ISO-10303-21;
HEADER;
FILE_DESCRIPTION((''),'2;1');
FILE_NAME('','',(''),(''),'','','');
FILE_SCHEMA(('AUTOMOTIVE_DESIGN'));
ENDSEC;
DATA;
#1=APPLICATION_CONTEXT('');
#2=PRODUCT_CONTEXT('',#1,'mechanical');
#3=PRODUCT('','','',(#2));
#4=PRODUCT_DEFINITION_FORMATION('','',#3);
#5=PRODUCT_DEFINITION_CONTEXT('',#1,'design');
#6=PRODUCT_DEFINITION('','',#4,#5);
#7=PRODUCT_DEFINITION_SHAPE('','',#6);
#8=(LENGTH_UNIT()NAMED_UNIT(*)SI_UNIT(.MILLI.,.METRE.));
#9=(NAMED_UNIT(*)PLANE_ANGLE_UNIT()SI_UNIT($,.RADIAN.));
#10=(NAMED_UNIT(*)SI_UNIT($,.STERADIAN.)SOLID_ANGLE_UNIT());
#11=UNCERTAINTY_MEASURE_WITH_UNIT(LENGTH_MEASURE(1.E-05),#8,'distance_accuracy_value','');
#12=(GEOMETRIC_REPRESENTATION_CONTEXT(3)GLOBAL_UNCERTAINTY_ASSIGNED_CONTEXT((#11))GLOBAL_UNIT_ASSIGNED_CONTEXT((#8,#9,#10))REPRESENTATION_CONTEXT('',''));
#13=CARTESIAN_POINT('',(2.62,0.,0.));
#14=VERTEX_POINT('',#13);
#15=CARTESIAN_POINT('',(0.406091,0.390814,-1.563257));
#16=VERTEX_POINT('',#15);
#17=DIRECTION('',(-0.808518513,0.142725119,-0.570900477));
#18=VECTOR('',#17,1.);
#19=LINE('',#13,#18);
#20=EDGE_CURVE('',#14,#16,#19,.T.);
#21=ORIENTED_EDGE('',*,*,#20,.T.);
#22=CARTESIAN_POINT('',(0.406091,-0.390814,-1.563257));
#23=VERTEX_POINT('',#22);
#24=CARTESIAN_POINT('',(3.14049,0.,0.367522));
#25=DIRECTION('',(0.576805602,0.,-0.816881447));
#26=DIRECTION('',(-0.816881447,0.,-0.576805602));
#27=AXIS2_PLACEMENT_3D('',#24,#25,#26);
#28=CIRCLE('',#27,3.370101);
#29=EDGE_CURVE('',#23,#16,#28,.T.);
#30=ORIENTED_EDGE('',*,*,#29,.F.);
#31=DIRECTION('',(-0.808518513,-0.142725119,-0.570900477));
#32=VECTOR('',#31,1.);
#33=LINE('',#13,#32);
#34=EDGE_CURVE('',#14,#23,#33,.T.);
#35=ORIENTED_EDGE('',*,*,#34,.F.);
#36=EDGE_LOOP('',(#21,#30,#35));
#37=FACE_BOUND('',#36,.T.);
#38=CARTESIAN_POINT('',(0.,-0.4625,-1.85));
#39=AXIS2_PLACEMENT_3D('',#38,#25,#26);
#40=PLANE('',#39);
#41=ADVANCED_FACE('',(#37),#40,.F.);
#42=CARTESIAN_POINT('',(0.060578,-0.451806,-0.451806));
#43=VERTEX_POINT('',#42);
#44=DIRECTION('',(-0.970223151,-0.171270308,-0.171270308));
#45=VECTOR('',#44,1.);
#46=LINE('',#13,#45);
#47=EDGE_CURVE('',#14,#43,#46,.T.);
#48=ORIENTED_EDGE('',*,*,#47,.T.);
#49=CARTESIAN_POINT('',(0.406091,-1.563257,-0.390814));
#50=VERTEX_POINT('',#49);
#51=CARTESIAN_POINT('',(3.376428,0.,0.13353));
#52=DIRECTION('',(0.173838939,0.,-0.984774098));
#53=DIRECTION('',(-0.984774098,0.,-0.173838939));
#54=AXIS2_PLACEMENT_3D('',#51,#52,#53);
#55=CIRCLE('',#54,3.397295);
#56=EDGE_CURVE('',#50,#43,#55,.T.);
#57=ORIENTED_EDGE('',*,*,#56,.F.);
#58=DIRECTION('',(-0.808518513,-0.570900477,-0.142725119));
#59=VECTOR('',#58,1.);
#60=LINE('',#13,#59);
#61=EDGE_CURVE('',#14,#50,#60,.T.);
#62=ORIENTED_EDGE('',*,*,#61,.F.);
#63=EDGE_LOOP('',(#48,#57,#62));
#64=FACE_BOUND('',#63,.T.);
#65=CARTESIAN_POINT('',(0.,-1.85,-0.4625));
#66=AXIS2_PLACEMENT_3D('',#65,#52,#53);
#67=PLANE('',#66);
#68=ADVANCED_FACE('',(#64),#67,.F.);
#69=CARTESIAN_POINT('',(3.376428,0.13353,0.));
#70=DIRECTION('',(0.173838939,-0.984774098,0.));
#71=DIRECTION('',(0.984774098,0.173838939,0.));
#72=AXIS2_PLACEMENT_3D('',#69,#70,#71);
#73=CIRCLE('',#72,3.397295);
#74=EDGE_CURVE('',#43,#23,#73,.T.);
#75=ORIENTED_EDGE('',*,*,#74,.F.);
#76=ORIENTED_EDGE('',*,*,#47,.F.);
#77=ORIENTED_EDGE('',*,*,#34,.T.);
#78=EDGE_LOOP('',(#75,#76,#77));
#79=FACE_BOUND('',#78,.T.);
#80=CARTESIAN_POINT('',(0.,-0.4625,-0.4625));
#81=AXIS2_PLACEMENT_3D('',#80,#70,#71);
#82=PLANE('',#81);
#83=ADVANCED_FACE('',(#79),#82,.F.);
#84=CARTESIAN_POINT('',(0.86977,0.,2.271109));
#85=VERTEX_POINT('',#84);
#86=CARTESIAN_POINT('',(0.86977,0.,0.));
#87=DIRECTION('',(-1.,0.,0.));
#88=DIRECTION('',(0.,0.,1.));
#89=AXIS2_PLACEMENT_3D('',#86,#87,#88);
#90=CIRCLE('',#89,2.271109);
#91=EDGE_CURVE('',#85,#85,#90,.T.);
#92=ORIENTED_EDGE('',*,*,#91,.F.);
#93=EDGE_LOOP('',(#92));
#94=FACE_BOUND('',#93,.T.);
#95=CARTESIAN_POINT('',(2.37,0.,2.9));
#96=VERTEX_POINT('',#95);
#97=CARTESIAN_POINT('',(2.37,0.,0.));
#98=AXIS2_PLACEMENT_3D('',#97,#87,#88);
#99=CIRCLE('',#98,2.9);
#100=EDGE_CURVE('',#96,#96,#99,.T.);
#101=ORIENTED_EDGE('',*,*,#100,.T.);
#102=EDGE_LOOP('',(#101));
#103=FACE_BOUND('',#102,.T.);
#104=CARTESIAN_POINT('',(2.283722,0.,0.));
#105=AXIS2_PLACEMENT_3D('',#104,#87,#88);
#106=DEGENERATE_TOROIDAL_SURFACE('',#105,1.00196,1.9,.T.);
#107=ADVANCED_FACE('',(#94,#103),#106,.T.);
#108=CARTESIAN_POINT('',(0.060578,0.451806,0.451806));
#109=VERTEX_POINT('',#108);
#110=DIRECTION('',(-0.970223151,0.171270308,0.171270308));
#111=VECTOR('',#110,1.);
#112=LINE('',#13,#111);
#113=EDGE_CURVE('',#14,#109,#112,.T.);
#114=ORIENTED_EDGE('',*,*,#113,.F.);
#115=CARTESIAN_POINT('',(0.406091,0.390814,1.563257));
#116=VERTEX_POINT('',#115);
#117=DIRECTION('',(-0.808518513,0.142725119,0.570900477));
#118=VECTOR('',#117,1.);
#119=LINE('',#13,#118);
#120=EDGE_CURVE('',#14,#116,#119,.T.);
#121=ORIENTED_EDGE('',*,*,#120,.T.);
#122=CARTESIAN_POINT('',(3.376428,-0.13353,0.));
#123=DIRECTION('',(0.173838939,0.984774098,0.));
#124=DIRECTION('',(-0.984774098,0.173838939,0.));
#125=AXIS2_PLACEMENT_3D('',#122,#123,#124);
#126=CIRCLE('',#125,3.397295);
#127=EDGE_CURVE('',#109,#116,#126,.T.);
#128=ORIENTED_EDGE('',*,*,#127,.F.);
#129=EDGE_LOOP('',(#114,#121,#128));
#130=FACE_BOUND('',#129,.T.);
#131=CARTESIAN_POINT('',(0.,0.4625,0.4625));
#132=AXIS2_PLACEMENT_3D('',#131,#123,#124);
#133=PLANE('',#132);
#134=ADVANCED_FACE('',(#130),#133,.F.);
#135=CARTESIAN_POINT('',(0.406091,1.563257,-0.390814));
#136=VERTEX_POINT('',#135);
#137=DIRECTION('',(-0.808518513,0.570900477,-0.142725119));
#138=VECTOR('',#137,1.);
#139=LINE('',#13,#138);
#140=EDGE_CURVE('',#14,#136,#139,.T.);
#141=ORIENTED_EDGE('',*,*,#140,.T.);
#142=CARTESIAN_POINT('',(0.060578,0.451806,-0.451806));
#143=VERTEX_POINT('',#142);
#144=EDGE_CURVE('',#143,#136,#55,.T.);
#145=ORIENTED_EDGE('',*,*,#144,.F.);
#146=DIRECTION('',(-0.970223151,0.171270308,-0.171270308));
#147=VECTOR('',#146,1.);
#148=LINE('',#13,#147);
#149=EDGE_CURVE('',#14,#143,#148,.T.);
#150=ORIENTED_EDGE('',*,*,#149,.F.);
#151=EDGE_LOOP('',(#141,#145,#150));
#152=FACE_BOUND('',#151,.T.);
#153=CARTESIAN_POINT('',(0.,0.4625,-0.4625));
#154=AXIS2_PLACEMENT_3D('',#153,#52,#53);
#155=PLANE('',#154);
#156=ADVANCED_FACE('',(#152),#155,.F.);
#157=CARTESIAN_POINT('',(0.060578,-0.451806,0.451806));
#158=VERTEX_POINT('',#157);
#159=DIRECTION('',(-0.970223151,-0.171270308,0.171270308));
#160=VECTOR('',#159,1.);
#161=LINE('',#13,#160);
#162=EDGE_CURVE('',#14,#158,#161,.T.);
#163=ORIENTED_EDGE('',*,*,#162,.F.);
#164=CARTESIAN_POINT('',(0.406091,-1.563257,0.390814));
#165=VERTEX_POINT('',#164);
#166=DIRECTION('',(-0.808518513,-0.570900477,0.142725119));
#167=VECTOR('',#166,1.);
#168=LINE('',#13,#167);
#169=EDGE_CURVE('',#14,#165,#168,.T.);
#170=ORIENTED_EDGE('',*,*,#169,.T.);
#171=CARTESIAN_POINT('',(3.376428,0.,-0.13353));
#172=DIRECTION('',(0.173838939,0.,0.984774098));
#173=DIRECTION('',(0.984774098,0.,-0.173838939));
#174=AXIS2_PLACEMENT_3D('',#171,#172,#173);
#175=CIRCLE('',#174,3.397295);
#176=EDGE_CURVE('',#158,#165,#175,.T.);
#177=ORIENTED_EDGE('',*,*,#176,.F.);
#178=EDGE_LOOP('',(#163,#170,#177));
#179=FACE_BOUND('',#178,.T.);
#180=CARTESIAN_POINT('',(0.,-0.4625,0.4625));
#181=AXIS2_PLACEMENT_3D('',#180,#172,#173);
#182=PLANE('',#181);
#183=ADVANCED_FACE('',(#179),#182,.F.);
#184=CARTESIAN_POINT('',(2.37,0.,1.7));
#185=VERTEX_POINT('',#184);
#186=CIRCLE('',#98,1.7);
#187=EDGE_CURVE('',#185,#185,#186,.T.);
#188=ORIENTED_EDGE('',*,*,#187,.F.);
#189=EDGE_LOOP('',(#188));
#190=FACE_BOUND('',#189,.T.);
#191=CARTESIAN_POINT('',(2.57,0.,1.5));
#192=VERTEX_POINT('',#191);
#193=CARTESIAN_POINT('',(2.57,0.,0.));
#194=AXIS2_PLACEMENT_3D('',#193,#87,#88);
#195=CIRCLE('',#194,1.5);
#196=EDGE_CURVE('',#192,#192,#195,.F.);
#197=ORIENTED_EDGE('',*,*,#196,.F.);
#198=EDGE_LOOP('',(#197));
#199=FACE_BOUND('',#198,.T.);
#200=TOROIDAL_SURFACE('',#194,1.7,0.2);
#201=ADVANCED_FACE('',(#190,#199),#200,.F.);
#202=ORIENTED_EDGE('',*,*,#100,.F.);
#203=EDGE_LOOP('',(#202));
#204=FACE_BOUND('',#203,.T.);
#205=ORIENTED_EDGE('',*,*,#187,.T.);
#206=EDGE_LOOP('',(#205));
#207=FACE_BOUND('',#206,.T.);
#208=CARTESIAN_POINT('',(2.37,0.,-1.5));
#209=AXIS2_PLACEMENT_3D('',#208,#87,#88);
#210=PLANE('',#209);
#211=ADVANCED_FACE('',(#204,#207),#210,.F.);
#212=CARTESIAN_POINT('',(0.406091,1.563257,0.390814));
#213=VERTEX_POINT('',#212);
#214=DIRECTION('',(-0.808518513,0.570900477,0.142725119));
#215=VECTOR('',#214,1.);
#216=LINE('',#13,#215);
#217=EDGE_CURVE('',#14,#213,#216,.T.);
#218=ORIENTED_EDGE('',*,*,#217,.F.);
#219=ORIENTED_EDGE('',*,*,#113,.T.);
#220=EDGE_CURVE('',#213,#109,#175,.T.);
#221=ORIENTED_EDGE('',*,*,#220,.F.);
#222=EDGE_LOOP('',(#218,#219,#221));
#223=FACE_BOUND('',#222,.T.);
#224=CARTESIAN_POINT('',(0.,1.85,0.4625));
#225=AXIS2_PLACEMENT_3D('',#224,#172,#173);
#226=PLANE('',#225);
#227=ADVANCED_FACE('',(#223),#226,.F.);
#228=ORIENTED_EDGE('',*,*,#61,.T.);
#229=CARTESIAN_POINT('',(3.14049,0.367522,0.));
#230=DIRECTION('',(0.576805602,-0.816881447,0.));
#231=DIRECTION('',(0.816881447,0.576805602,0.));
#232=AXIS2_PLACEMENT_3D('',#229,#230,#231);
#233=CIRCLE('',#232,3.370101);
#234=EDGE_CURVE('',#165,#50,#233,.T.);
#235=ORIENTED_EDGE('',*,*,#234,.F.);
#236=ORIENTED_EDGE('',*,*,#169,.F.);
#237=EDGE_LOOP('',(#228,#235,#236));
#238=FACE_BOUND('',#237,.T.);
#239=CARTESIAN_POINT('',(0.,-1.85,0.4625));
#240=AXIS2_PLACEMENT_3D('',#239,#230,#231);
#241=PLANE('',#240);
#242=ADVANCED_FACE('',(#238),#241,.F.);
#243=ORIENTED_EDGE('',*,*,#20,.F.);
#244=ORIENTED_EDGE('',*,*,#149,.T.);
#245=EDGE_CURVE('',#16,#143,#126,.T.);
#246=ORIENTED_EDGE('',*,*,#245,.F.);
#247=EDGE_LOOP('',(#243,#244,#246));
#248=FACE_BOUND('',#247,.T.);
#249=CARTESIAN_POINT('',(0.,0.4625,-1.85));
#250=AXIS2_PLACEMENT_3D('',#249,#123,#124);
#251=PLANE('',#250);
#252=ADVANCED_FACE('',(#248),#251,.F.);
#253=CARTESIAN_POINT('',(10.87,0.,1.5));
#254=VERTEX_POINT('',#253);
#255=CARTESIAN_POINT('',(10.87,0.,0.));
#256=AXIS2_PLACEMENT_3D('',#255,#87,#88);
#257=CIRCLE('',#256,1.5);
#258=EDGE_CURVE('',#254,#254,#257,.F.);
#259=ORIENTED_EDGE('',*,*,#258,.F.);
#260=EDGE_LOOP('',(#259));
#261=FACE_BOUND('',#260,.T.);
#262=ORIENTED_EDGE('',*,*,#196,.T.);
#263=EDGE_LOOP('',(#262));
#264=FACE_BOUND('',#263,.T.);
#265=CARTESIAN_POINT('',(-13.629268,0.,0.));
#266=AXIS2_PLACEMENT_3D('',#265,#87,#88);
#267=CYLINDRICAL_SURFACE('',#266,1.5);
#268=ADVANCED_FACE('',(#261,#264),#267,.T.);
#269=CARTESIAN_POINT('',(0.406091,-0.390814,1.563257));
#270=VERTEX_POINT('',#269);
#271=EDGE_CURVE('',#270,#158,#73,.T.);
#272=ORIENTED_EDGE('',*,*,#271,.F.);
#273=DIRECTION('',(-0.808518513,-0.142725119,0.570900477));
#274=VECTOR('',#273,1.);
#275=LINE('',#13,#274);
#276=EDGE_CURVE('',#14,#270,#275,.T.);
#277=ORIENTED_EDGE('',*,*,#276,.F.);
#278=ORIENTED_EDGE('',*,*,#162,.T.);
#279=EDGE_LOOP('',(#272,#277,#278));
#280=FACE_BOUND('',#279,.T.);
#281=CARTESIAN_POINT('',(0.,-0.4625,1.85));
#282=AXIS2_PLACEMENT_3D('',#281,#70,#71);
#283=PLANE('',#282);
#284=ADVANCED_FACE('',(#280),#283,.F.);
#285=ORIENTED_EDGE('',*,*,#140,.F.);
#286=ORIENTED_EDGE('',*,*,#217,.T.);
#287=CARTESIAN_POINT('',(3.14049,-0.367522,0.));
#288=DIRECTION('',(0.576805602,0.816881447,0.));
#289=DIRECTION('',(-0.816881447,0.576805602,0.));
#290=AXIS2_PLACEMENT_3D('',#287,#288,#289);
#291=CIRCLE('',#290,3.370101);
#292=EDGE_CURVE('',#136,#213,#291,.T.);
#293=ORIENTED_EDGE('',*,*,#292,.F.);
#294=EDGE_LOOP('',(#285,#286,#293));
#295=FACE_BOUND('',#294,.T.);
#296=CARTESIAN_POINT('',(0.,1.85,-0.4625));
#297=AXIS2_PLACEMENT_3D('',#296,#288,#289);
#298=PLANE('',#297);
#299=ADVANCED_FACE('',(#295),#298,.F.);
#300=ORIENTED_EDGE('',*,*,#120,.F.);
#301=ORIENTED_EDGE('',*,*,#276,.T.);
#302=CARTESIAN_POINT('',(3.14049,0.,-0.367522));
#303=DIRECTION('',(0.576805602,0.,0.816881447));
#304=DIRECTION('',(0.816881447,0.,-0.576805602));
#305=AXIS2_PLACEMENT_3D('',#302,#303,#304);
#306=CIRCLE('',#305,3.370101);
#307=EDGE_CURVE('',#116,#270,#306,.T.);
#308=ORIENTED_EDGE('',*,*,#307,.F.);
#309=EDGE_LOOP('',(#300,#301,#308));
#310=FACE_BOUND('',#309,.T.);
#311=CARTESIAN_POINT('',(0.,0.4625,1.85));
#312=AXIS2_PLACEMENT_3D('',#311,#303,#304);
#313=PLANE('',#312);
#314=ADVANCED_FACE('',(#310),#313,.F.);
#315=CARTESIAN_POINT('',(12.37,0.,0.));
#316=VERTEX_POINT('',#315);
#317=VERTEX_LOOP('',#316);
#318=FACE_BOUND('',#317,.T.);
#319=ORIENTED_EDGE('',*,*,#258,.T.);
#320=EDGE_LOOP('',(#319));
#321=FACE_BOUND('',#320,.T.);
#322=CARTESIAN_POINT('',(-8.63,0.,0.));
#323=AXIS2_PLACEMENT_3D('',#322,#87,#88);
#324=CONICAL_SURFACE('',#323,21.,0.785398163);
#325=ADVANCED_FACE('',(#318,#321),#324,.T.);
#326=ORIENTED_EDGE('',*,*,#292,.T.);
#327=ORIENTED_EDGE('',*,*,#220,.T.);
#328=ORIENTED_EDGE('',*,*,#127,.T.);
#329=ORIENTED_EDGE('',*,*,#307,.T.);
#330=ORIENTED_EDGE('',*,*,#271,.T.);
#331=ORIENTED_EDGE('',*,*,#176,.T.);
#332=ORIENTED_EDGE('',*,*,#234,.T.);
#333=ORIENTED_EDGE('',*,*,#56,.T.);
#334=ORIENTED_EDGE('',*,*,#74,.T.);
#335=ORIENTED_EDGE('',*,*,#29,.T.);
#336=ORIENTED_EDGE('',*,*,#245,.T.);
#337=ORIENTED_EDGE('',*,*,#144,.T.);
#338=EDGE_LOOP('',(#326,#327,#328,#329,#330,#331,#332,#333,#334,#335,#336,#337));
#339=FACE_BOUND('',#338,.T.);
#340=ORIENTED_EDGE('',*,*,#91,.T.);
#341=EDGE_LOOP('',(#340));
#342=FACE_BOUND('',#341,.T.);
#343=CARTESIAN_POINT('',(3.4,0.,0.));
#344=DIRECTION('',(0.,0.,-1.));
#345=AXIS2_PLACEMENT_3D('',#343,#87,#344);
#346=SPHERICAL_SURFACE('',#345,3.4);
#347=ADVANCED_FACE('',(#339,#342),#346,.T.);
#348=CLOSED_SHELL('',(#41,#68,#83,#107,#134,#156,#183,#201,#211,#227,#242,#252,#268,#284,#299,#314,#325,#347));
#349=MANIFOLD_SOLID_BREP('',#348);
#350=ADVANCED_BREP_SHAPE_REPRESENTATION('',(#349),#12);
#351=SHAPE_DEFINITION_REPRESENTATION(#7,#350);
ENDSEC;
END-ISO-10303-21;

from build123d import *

# Parameters (mm, degrees)
FILLET2_R = 0.2


with BuildPart() as part:
    # Sketch1 → Revolve1 (revolve)
    with BuildSketch(Plane(origin=(0, 0, 0), x_dir=(1, 0, 0), z_dir=(0, 1, 0)), mode=Mode.PRIVATE) as revolve1_sk:
        with BuildLine():
            Line((2.37, 1.5), (12.37, 1.5))
            Line((12.37, 1.5), (12.37, 0))
            Line((12.37, 0), (0, 0))
            ThreePointArc((0, 0), (0.224879408, 1.215980768), (0.869770135, 2.271109163))
            ThreePointArc((0.869770135, 2.271109163), (1.549177667, 2.754228297), (2.37, 2.9))
            Line((2.37, 2.9), (2.37, 1.5))
        make_face()
    revolve(revolve1_sk.sketch.rotate(Axis((-13.629268293, 0, 0), (1, 0, 0)), 180), axis=Axis((-13.629268293, 0, 0), (1, 0, 0)))

    # Fillet2
    fillet2_edges = [part.edges().sort_by_distance(p)[0] for p in [
        (2.37, 0, -1.5),
    ]]
    fillet(fillet2_edges, radius=FILLET2_R)

    # Sketch4 → Cut-Revolve1 (revolve, cut)
    with BuildSketch(Plane(origin=(0, 0, 0), x_dir=(1, 0, 0), z_dir=(0, 1, 0)), mode=Mode.PRIVATE) as cut_revolve1_sk:
        Polygon((13.103454633, 0), (13.103454633, 21), (-8.63, 21), (12.37, 0), align=None)
    revolve(cut_revolve1_sk.sketch.rotate(Axis((4.782773752, 0, 0), (1, 0, 0)), 180), axis=Axis((4.782773752, 0, 0), (1, 0, 0)), mode=Mode.SUBTRACT)

    # Sketch2 → Cut-Loft1 section 0
    with BuildSketch(Plane(origin=(0, 0, 0), x_dir=(0, 0, -1), z_dir=(1, 0, 0)), mode=Mode.PRIVATE) as cut_loft1_s0:
        with BuildLine():
            Line((-0.4625, 0.4625), (-1.85, 0.4625))
            Line((-1.85, 0.4625), (-1.85, -0.4625))
            Line((-1.85, -0.4625), (-0.4625, -0.4625))
            Line((-0.4625, -0.4625), (-0.4625, -1.85))
            Line((-0.4625, -1.85), (0.4625, -1.85))
            Line((0.4625, -1.85), (0.4625, -0.4625))
            Line((0.4625, -0.4625), (1.85, -0.4625))
            Line((1.85, -0.4625), (1.85, 0.4625))
            Line((1.85, 0.4625), (0.4625, 0.4625))
            Line((0.4625, 0.4625), (0.4625, 1.85))
            Line((0.4625, 1.85), (-0.4625, 1.85))
            Line((-0.4625, 1.85), (-0.4625, 0.4625))
        make_face()
    loft([Vertex(2.62, 0, 0), cut_loft1_s0.sketch], mode=Mode.SUBTRACT)


solid = part.part
